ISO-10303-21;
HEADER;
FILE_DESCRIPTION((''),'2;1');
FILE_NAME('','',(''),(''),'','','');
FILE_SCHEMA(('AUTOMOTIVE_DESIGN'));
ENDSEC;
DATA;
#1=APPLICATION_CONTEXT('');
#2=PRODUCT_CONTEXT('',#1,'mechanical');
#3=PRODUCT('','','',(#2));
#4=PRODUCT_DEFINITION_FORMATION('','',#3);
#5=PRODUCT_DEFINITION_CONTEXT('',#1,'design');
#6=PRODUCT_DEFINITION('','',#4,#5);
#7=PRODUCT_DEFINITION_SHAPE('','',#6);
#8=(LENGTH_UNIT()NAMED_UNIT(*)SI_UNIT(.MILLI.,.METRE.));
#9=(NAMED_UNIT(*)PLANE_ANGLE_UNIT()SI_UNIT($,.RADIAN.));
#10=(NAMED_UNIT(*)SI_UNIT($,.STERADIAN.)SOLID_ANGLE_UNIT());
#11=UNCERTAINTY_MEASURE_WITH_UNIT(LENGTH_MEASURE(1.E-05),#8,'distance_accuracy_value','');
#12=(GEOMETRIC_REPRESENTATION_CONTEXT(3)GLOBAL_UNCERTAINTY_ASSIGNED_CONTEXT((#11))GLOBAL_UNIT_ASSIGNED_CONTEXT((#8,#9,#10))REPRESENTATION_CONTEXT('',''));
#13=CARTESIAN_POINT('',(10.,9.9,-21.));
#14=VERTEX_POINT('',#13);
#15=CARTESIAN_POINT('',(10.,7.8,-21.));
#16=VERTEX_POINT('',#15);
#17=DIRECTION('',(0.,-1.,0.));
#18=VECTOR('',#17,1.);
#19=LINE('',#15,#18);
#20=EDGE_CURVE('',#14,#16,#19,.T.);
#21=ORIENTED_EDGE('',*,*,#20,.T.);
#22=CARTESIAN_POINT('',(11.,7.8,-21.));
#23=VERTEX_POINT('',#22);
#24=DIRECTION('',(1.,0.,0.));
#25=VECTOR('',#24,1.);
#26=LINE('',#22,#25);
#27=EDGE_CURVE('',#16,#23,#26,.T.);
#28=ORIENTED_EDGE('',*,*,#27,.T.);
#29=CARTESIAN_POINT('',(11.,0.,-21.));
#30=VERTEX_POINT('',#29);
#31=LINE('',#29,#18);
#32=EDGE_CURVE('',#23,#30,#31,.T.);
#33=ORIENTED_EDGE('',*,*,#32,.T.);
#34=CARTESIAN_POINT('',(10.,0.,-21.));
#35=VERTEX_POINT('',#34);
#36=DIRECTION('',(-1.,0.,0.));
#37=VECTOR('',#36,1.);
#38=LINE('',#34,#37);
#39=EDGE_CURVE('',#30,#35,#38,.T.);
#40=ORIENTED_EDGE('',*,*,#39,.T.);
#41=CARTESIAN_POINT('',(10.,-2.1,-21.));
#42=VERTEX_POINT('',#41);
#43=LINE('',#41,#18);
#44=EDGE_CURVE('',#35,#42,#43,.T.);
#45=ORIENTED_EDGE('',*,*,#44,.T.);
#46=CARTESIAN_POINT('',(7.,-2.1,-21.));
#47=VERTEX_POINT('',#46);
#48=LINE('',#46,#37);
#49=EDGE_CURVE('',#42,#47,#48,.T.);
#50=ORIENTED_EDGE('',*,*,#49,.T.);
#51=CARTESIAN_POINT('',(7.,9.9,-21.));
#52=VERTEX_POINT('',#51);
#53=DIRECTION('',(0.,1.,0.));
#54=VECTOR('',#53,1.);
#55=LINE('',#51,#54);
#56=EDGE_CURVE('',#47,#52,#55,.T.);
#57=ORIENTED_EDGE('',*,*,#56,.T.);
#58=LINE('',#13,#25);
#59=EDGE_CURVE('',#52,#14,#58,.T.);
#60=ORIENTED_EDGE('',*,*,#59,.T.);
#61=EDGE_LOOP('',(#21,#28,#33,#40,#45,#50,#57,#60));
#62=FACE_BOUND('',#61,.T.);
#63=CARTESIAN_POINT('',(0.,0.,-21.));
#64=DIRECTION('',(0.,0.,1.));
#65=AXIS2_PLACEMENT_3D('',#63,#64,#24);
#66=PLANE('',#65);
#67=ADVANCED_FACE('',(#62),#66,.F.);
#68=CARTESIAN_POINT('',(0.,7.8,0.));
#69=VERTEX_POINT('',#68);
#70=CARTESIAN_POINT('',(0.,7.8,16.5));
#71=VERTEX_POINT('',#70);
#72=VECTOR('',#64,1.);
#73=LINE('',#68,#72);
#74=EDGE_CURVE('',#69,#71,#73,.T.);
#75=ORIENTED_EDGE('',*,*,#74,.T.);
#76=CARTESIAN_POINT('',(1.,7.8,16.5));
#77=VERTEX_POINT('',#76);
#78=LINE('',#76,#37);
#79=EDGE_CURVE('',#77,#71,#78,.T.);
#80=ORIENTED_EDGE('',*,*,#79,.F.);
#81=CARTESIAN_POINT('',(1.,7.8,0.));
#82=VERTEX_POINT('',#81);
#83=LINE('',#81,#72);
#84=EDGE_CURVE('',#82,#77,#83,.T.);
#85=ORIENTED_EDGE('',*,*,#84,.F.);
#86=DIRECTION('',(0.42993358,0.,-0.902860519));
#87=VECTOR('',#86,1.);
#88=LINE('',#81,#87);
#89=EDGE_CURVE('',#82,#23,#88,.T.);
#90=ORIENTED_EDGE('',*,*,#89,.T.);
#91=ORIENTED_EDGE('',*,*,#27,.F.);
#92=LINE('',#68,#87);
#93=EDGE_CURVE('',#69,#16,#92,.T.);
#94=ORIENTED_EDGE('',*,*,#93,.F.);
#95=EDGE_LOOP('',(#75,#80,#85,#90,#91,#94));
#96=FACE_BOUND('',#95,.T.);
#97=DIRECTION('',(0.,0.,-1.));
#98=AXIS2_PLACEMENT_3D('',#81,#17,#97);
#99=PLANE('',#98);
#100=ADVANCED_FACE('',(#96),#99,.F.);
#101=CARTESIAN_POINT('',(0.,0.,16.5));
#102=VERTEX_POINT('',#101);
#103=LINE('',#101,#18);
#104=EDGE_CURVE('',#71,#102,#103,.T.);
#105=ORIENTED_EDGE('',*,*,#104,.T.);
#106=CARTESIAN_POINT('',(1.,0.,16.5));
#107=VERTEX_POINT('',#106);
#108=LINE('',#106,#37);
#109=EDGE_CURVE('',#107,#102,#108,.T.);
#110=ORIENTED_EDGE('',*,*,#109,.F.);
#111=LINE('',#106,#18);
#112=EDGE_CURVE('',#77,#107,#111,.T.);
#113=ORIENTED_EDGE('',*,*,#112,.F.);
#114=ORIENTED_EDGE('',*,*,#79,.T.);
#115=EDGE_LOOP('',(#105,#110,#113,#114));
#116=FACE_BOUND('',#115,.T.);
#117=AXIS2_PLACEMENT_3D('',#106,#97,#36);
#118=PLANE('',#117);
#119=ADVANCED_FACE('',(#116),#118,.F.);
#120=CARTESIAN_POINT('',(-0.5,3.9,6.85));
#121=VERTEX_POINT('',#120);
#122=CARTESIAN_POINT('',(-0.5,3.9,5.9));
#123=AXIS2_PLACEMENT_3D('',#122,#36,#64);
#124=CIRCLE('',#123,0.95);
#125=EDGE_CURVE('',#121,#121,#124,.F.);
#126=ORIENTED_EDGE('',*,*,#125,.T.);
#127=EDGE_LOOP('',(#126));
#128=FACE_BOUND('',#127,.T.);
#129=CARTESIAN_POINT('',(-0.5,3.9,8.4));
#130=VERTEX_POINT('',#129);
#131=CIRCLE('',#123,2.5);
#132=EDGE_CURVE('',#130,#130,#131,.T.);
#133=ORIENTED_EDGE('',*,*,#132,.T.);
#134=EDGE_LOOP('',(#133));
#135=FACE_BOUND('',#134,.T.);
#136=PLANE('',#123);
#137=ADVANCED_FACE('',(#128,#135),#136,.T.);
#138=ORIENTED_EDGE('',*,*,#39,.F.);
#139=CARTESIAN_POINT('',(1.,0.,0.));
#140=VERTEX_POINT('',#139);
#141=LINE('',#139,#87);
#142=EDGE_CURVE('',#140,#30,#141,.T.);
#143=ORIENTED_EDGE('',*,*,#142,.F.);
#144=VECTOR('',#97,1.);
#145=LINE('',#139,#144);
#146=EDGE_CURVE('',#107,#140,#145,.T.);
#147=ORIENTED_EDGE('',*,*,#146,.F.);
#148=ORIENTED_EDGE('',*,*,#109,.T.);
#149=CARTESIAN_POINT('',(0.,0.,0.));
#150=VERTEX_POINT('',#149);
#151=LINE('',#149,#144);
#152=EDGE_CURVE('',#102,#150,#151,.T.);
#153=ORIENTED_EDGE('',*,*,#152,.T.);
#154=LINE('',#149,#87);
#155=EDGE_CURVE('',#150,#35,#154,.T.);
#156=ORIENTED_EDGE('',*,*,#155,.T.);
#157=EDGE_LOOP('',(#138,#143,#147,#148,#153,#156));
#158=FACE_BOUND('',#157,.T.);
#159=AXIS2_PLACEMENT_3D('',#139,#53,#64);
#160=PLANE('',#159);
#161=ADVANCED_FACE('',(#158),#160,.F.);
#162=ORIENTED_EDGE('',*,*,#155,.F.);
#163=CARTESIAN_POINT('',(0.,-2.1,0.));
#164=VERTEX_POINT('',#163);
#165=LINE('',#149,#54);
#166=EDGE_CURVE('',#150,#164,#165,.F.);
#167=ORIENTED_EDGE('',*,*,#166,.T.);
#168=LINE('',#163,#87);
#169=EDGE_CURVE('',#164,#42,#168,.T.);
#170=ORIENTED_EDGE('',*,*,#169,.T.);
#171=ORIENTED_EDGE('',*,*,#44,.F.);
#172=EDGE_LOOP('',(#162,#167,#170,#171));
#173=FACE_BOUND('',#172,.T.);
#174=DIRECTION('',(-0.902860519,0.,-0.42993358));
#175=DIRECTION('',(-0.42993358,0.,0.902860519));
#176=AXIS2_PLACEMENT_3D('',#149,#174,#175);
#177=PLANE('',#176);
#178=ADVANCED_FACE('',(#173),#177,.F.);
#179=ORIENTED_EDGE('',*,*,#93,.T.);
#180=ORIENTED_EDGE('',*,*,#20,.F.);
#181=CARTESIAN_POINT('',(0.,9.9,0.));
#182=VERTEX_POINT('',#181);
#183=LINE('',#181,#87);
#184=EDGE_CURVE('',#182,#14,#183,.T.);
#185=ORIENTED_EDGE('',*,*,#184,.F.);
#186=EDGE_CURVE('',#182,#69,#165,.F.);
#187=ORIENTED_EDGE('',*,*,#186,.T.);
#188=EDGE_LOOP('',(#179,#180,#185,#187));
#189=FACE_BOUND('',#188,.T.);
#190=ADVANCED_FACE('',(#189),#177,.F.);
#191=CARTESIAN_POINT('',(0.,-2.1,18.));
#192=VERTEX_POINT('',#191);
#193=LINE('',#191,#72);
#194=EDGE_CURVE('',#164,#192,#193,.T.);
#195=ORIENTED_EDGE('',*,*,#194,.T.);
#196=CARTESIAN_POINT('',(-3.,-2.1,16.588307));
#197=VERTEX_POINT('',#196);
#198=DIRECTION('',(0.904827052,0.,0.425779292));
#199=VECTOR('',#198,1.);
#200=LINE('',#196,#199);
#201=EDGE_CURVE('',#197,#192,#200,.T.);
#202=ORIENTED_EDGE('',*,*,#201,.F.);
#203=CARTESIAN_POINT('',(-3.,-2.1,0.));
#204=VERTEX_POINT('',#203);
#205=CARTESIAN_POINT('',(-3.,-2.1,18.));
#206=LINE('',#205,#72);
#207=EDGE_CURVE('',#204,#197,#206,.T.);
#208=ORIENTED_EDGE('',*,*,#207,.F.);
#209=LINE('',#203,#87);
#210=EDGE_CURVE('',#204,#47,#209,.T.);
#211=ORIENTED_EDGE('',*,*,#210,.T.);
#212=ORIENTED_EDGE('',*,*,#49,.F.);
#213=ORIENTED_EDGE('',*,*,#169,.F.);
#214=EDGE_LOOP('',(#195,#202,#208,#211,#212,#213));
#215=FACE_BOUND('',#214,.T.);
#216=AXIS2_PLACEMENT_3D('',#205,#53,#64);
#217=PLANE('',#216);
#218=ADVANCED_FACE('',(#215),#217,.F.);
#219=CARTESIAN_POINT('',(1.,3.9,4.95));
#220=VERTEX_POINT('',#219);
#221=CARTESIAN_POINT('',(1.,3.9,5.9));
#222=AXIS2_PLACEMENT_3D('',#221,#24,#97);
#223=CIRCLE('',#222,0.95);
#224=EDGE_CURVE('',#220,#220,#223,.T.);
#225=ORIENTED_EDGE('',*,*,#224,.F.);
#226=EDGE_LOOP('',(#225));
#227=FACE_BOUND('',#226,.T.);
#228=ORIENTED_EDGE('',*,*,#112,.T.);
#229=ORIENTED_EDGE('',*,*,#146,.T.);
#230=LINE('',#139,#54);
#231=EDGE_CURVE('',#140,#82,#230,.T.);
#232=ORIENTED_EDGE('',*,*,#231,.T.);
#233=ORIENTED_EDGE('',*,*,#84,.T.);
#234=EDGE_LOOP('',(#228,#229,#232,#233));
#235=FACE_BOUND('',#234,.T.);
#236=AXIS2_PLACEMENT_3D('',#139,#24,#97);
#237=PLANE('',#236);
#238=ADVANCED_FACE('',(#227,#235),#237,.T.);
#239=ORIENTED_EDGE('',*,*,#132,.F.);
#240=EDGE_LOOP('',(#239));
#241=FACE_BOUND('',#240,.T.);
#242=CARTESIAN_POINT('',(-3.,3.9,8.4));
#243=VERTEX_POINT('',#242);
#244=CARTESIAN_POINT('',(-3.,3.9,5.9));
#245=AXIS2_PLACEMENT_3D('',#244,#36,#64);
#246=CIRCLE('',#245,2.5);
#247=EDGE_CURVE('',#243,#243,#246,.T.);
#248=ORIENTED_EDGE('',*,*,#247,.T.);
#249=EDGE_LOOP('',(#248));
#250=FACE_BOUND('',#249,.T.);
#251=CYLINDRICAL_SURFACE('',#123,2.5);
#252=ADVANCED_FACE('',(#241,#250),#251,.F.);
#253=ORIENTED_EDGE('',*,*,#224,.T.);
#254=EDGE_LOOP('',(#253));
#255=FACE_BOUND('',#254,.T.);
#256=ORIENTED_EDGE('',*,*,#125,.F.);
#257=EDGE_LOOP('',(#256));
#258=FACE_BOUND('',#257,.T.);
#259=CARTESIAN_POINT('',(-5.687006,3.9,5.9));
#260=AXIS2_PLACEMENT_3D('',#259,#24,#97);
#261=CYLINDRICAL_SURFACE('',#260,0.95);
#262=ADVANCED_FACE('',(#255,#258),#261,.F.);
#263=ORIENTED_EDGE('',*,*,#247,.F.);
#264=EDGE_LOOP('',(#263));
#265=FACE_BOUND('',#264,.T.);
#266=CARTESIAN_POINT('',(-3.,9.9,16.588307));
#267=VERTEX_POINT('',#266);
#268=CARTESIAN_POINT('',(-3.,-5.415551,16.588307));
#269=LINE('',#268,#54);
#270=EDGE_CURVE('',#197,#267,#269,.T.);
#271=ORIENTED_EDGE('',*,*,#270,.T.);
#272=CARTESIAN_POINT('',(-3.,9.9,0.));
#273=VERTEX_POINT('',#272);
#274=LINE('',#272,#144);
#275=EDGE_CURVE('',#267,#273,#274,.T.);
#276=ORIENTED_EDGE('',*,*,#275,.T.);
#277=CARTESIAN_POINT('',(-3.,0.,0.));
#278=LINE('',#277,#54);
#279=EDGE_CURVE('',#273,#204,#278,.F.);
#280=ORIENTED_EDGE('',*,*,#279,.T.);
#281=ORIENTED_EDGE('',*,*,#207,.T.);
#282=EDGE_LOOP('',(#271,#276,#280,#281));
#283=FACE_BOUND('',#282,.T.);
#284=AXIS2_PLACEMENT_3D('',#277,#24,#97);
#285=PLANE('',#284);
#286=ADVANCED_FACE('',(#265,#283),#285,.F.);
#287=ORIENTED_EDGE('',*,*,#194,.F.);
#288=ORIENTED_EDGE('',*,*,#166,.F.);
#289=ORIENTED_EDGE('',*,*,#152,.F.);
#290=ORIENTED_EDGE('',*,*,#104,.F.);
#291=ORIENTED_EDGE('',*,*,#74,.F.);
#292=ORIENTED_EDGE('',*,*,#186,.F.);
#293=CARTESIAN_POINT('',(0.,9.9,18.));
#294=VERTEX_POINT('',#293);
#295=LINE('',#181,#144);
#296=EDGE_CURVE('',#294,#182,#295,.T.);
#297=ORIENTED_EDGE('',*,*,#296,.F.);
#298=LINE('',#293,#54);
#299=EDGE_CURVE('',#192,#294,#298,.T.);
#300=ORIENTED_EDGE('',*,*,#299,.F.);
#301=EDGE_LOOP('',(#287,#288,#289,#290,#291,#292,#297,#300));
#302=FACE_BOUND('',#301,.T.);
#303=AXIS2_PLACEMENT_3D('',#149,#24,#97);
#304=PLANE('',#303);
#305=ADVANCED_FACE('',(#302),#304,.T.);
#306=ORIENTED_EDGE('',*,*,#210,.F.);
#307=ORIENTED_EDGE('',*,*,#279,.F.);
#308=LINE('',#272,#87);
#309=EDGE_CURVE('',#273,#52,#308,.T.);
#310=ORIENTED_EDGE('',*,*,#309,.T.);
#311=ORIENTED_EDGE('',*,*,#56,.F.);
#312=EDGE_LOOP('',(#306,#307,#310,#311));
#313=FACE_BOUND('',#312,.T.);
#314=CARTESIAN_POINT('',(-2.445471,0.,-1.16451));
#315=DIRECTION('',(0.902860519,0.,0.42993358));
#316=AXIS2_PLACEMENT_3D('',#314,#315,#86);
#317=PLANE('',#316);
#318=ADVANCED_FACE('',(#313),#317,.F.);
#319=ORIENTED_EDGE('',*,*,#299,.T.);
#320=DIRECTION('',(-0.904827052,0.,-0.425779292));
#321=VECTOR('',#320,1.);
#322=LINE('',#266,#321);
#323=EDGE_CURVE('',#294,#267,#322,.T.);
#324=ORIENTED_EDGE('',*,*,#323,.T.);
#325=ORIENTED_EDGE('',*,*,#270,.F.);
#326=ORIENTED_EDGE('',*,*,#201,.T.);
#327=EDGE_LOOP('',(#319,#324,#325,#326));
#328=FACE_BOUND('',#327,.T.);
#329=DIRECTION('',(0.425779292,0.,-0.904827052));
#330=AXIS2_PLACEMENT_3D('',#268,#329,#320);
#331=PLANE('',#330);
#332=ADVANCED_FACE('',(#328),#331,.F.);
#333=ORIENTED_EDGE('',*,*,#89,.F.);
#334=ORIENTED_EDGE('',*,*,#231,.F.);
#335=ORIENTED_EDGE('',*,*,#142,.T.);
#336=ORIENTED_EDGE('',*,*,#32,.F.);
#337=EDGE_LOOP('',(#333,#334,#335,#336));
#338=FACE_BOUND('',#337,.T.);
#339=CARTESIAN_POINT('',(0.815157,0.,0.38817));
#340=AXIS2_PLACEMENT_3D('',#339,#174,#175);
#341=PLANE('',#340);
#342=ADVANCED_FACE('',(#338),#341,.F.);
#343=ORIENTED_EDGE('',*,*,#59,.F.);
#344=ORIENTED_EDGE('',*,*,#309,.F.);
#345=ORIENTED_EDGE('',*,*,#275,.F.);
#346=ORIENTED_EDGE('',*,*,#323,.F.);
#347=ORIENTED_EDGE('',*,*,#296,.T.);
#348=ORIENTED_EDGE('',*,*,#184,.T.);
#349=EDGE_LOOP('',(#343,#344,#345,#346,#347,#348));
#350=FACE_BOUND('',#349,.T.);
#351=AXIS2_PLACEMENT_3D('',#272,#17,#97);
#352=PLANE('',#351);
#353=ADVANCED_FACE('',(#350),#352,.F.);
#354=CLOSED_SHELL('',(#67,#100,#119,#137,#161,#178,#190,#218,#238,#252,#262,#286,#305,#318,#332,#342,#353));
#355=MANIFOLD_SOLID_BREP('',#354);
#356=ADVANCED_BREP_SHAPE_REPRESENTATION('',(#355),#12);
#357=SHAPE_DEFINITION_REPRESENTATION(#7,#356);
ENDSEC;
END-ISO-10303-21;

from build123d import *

# Parameters (mm, degrees)
SKETCH1_W           = 16.5
SKETCH1_H           = 7.8
BOSS_EXTRUDE1_DEPTH = 1
SKETCH2_W           = 18
SKETCH2_H           = 12
BOSS_EXTRUDE2_DEPTH = 3
CUT_EXTRUDE1_DEPTH  = 12
SKETCH6_R           = 0.95
CUT_EXTRUDE2_DEPTH  = 4
SKETCH8_R           = 2.5
CUT_EXTRUDE3_DEPTH  = 2.5


with BuildPart() as part:
    # Sketch1 → Boss-Extrude1 (new body)
    with BuildSketch(Plane(origin=(0, 0, 0), x_dir=(0, 0, -1), z_dir=(1, 0, 0))):
        with Locations((-8.25, 3.9)):
            Rectangle(SKETCH1_W, SKETCH1_H)
    extrude(amount=BOSS_EXTRUDE1_DEPTH)

    # Sketch2 → Boss-Extrude2 (add)
    with BuildSketch(Plane.ZY):
        with Locations((9, 3.9)):
            Rectangle(SKETCH2_W, SKETCH2_H)
    extrude(amount=BOSS_EXTRUDE2_DEPTH)

    # Sketch3 → Loft1 section 0
    with BuildSketch(Plane(origin=(0, 0, 0), x_dir=(-1, 0, 0), z_dir=(0, 0, -1))):
        Polygon((0, 7.8), (0, 9.9), (3, 9.9), (3, -2.1), (0, -2.1), (0, 0), (-1, 0), (-1, 7.8), align=None)
    # Sketch4 → Loft1 section 1
    with BuildSketch(Plane(origin=(0, 0, -21), x_dir=(-1, 0, 0), z_dir=(0, 0, -1))):
        Polygon((-11, 7.8), (-10, 7.8), (-10, 9.9), (-7, 9.9), (-7, -2.1), (-10, -2.1), (-10, 0), (-11, 0), align=None)
    loft()

    # Sketch5 → Cut-Extrude1 (cut)
    with BuildSketch(Plane(origin=(0, 9.9, 0), x_dir=(1, 0, 0), z_dir=(0, 1, 0))):
        Polygon((0, -18), (-3, -18), (-3, -16.588307156), align=None)
    extrude(amount=-CUT_EXTRUDE1_DEPTH, mode=Mode.SUBTRACT)

    # Sketch6 → Cut-Extrude2 (cut)
    with BuildSketch(Plane(origin=(1, 0, 0), x_dir=(0, 0, -1), z_dir=(1, 0, 0))):
        with Locations((-5.9, 3.9)):
            Circle(SKETCH6_R)
    extrude(amount=-CUT_EXTRUDE2_DEPTH, mode=Mode.SUBTRACT)

    # Sketch8 → Cut-Extrude3 (cut)
    with BuildSketch(Plane.ZY.offset(3)):
        with Locations((5.9, 3.9)):
            Circle(SKETCH8_R)
    extrude(amount=-CUT_EXTRUDE3_DEPTH, mode=Mode.SUBTRACT)


solid = part.part
